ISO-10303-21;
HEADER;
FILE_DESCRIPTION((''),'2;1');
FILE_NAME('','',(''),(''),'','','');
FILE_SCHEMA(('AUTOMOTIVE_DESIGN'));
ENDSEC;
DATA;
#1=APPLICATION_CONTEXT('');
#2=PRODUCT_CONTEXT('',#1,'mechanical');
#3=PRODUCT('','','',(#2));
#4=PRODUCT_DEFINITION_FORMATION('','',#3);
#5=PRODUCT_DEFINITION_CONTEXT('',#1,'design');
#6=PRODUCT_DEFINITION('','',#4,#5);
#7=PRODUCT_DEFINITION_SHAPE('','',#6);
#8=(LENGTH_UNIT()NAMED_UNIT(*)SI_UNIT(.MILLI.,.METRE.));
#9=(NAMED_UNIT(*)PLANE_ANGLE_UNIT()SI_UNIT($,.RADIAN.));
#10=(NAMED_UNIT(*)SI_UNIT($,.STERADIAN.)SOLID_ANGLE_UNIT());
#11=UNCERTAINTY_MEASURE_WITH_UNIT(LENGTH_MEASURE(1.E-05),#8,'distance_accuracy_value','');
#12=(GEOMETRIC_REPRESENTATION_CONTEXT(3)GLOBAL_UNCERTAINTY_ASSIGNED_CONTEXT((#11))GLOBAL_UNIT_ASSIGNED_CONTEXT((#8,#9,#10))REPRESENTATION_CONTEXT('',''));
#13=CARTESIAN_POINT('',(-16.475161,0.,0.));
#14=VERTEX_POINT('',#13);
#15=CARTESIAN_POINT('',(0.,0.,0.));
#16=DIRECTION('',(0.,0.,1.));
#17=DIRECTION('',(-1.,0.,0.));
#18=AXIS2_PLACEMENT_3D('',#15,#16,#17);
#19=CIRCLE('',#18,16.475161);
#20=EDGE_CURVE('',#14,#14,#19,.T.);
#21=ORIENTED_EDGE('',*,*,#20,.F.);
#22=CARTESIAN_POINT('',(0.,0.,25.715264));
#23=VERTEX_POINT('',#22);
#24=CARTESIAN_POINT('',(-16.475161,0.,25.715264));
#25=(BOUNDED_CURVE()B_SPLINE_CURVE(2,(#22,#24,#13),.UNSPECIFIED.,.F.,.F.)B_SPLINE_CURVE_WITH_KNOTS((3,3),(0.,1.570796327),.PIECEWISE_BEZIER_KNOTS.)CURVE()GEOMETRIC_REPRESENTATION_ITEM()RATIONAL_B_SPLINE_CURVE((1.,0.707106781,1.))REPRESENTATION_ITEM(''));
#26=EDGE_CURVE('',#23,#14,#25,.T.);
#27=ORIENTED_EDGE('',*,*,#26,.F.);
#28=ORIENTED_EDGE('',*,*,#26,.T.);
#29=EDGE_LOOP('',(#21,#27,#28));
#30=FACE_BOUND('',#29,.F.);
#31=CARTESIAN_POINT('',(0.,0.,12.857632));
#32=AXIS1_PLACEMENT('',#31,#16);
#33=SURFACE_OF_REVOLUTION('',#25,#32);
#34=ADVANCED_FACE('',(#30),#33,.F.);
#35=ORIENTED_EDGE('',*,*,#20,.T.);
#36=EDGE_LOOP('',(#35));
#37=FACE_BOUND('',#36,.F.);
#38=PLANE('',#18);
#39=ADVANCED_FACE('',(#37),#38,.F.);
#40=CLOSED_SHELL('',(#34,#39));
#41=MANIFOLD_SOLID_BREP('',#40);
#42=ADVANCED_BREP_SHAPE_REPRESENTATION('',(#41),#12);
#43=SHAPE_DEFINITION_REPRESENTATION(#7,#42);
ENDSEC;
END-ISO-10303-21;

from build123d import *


with BuildPart() as f2:
    # F1 (on face) → F2 (revolve)
    with BuildSketch(Plane.XZ):
        with BuildLine():
            add(Edge.make_bspline(
                [(0, 25.7152635604), (-16.4751612775, 25.7152635604), (-16.4751612775, 0)],
                knots=[0, 0, 0, 1.5707963268, 1.5707963268, 1.5707963268], degree=2, weights=[1, 0.7071067812, 1]))
            Line((-16.4751612775, 0), (0, 0))
            Line((0, 0), (0, 25.7152635604))
        make_face()
    revolve(axis=Axis((0, 0, 12.8576317802), (0, 0, 1)))


solid = f2.part
